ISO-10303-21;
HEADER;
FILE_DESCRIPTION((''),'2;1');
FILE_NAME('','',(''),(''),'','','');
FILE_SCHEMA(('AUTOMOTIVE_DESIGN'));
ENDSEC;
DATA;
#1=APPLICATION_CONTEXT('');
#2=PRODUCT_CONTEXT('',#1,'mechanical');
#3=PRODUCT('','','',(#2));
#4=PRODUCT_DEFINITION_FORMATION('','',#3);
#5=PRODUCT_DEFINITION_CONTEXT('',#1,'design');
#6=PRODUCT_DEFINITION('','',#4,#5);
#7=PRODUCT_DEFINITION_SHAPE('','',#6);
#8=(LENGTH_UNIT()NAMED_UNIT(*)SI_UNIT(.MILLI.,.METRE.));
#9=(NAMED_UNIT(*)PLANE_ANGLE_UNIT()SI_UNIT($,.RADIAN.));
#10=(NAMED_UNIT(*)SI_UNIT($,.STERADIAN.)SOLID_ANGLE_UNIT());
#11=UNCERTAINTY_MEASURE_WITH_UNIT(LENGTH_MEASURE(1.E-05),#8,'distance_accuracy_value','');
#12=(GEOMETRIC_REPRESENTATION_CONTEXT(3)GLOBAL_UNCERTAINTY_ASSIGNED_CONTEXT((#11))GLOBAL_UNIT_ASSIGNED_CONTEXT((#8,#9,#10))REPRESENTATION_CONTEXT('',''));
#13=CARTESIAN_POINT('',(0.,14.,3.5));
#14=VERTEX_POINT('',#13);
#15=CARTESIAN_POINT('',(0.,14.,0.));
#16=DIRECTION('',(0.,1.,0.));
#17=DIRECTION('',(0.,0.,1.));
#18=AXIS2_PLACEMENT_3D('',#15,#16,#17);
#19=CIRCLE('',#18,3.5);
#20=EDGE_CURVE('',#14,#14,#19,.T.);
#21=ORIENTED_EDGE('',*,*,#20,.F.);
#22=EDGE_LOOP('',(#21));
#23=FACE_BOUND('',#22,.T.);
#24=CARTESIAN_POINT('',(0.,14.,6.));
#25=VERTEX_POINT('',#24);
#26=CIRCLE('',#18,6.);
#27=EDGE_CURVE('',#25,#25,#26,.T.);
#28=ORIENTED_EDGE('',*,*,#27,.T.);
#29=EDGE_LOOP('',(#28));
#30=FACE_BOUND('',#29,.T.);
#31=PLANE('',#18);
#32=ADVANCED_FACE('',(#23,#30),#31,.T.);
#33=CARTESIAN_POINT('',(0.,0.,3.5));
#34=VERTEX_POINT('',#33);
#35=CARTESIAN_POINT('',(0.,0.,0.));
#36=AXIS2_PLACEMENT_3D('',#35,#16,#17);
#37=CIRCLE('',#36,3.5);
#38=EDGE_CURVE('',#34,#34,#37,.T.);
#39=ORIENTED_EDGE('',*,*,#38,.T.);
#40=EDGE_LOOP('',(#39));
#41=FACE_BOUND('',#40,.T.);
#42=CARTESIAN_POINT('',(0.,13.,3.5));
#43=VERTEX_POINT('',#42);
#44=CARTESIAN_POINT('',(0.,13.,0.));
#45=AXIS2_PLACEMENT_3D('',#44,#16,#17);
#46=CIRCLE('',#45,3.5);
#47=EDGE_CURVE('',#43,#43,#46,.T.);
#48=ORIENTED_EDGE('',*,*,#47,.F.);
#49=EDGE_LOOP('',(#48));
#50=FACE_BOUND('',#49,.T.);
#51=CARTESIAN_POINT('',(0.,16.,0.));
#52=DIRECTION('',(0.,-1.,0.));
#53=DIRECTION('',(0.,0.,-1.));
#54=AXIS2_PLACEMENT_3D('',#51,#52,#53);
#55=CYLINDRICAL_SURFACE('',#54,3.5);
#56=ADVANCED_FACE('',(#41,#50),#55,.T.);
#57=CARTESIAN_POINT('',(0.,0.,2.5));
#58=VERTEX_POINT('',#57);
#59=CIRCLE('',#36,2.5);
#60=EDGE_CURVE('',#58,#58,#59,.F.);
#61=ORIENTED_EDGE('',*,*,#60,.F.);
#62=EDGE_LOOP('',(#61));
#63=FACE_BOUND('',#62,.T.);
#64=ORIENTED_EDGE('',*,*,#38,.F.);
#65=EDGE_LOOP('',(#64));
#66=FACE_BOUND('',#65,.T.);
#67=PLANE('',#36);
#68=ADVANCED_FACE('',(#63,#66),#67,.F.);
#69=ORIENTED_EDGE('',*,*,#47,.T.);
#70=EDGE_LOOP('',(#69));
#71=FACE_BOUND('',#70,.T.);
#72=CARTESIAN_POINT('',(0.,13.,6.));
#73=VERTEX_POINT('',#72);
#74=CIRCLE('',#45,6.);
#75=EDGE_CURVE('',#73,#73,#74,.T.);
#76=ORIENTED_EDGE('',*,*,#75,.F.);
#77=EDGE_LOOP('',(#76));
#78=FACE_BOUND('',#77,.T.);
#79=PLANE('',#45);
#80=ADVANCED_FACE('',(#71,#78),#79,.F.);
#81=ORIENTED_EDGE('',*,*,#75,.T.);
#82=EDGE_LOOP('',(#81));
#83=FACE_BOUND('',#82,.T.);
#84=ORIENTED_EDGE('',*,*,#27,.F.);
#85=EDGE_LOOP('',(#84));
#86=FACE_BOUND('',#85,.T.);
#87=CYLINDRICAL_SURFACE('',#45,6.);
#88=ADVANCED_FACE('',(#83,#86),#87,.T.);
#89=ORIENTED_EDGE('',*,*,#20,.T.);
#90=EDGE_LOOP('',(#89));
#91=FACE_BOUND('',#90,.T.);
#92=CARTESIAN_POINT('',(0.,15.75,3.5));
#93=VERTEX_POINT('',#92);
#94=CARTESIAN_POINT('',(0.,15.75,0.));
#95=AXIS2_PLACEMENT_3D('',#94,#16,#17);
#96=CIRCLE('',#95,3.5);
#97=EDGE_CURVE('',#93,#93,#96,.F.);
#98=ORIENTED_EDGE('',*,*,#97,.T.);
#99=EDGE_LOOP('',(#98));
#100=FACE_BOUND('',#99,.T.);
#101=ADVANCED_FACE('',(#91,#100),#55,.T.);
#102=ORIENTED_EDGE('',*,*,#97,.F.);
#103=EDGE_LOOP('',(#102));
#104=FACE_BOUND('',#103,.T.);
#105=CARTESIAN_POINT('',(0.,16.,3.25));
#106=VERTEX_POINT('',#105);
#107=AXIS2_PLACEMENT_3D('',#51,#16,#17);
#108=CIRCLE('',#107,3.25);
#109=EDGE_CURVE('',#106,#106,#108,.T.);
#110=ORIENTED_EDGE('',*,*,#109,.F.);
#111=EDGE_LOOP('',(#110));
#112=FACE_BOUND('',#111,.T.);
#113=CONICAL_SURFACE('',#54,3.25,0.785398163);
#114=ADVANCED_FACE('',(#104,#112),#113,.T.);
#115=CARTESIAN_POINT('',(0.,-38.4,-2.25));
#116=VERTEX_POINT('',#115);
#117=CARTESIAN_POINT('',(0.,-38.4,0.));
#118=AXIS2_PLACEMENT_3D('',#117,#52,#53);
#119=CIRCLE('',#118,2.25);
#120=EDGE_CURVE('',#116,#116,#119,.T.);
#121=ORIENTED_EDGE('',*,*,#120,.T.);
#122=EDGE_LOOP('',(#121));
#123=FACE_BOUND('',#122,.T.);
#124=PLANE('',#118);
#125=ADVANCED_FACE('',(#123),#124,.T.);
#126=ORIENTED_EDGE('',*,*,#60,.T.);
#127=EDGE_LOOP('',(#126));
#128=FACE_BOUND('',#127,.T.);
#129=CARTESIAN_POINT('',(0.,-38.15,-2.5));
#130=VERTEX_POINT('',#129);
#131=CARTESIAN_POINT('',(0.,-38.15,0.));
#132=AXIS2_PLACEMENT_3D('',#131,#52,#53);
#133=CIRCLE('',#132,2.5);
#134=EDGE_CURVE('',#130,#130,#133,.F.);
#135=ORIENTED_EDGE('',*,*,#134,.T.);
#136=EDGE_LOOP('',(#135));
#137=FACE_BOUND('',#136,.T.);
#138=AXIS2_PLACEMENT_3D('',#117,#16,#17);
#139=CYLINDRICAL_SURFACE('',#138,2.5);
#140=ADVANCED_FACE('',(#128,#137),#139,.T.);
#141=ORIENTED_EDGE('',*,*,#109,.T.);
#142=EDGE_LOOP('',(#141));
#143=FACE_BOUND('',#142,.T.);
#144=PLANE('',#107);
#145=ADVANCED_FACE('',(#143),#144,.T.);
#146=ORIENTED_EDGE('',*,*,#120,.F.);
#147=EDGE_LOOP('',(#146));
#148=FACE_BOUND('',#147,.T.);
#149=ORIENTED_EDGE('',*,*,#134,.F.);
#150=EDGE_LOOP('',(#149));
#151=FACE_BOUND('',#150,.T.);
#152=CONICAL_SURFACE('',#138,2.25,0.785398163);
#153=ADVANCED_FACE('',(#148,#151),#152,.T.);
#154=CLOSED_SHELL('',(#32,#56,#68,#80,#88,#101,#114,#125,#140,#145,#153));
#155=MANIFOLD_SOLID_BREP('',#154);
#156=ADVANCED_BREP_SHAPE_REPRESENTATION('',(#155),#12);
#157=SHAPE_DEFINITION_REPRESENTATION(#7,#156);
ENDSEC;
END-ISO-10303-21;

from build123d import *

# Parameters (mm, degrees)
SKETCH2_R           = 3.5
BOSS_EXTRUDE1_DEPTH = 16
CHAMFER1_SIZE       = 0.25
SKETCH3_R           = 2.5
BOSS_EXTRUDE2_DEPTH = 38.4
CHAMFER2_SIZE       = 0.25
SKETCH4_R           = 6
BOSS_EXTRUDE3_DEPTH = 1


with BuildPart() as part:
    # Sketch2 → Boss-Extrude1 (new body)
    with BuildSketch(Plane(origin=(0, 0, 0), x_dir=(1, 0, 0), z_dir=(0, 1, 0))):
        with Locations(Location((0, 0, 0), (0, 0, 270))):
            Circle(SKETCH2_R)
    extrude(amount=BOSS_EXTRUDE1_DEPTH)

    # Chamfer1
    chamfer1_edges = [part.edges().sort_by_distance(p)[0] for p in [
        (0, 16, -3.5),
    ]]
    chamfer(chamfer1_edges, length=CHAMFER1_SIZE)

    # Sketch3 → Boss-Extrude2 (add)
    with BuildSketch(Plane.XZ):
        with Locations(Location((0, 0, 0), (0, 0, 90))):
            Circle(SKETCH3_R)
    extrude(amount=BOSS_EXTRUDE2_DEPTH)

    # Chamfer2
    chamfer2_edges = [part.edges().sort_by_distance(p)[0] for p in [
        (0, -38.4, -2.5),
    ]]
    chamfer(chamfer2_edges, length=CHAMFER2_SIZE)

    # Sketch4 → Boss-Extrude3 (add)
    with BuildSketch(Plane(origin=(0, 14, 0), x_dir=(1, 0, 0), z_dir=(0, 1, 0))):
        with Locations(Location((0, 0, 0), (0, 0, 270))):
            Circle(SKETCH4_R)
    extrude(amount=-BOSS_EXTRUDE3_DEPTH)


solid = part.part
